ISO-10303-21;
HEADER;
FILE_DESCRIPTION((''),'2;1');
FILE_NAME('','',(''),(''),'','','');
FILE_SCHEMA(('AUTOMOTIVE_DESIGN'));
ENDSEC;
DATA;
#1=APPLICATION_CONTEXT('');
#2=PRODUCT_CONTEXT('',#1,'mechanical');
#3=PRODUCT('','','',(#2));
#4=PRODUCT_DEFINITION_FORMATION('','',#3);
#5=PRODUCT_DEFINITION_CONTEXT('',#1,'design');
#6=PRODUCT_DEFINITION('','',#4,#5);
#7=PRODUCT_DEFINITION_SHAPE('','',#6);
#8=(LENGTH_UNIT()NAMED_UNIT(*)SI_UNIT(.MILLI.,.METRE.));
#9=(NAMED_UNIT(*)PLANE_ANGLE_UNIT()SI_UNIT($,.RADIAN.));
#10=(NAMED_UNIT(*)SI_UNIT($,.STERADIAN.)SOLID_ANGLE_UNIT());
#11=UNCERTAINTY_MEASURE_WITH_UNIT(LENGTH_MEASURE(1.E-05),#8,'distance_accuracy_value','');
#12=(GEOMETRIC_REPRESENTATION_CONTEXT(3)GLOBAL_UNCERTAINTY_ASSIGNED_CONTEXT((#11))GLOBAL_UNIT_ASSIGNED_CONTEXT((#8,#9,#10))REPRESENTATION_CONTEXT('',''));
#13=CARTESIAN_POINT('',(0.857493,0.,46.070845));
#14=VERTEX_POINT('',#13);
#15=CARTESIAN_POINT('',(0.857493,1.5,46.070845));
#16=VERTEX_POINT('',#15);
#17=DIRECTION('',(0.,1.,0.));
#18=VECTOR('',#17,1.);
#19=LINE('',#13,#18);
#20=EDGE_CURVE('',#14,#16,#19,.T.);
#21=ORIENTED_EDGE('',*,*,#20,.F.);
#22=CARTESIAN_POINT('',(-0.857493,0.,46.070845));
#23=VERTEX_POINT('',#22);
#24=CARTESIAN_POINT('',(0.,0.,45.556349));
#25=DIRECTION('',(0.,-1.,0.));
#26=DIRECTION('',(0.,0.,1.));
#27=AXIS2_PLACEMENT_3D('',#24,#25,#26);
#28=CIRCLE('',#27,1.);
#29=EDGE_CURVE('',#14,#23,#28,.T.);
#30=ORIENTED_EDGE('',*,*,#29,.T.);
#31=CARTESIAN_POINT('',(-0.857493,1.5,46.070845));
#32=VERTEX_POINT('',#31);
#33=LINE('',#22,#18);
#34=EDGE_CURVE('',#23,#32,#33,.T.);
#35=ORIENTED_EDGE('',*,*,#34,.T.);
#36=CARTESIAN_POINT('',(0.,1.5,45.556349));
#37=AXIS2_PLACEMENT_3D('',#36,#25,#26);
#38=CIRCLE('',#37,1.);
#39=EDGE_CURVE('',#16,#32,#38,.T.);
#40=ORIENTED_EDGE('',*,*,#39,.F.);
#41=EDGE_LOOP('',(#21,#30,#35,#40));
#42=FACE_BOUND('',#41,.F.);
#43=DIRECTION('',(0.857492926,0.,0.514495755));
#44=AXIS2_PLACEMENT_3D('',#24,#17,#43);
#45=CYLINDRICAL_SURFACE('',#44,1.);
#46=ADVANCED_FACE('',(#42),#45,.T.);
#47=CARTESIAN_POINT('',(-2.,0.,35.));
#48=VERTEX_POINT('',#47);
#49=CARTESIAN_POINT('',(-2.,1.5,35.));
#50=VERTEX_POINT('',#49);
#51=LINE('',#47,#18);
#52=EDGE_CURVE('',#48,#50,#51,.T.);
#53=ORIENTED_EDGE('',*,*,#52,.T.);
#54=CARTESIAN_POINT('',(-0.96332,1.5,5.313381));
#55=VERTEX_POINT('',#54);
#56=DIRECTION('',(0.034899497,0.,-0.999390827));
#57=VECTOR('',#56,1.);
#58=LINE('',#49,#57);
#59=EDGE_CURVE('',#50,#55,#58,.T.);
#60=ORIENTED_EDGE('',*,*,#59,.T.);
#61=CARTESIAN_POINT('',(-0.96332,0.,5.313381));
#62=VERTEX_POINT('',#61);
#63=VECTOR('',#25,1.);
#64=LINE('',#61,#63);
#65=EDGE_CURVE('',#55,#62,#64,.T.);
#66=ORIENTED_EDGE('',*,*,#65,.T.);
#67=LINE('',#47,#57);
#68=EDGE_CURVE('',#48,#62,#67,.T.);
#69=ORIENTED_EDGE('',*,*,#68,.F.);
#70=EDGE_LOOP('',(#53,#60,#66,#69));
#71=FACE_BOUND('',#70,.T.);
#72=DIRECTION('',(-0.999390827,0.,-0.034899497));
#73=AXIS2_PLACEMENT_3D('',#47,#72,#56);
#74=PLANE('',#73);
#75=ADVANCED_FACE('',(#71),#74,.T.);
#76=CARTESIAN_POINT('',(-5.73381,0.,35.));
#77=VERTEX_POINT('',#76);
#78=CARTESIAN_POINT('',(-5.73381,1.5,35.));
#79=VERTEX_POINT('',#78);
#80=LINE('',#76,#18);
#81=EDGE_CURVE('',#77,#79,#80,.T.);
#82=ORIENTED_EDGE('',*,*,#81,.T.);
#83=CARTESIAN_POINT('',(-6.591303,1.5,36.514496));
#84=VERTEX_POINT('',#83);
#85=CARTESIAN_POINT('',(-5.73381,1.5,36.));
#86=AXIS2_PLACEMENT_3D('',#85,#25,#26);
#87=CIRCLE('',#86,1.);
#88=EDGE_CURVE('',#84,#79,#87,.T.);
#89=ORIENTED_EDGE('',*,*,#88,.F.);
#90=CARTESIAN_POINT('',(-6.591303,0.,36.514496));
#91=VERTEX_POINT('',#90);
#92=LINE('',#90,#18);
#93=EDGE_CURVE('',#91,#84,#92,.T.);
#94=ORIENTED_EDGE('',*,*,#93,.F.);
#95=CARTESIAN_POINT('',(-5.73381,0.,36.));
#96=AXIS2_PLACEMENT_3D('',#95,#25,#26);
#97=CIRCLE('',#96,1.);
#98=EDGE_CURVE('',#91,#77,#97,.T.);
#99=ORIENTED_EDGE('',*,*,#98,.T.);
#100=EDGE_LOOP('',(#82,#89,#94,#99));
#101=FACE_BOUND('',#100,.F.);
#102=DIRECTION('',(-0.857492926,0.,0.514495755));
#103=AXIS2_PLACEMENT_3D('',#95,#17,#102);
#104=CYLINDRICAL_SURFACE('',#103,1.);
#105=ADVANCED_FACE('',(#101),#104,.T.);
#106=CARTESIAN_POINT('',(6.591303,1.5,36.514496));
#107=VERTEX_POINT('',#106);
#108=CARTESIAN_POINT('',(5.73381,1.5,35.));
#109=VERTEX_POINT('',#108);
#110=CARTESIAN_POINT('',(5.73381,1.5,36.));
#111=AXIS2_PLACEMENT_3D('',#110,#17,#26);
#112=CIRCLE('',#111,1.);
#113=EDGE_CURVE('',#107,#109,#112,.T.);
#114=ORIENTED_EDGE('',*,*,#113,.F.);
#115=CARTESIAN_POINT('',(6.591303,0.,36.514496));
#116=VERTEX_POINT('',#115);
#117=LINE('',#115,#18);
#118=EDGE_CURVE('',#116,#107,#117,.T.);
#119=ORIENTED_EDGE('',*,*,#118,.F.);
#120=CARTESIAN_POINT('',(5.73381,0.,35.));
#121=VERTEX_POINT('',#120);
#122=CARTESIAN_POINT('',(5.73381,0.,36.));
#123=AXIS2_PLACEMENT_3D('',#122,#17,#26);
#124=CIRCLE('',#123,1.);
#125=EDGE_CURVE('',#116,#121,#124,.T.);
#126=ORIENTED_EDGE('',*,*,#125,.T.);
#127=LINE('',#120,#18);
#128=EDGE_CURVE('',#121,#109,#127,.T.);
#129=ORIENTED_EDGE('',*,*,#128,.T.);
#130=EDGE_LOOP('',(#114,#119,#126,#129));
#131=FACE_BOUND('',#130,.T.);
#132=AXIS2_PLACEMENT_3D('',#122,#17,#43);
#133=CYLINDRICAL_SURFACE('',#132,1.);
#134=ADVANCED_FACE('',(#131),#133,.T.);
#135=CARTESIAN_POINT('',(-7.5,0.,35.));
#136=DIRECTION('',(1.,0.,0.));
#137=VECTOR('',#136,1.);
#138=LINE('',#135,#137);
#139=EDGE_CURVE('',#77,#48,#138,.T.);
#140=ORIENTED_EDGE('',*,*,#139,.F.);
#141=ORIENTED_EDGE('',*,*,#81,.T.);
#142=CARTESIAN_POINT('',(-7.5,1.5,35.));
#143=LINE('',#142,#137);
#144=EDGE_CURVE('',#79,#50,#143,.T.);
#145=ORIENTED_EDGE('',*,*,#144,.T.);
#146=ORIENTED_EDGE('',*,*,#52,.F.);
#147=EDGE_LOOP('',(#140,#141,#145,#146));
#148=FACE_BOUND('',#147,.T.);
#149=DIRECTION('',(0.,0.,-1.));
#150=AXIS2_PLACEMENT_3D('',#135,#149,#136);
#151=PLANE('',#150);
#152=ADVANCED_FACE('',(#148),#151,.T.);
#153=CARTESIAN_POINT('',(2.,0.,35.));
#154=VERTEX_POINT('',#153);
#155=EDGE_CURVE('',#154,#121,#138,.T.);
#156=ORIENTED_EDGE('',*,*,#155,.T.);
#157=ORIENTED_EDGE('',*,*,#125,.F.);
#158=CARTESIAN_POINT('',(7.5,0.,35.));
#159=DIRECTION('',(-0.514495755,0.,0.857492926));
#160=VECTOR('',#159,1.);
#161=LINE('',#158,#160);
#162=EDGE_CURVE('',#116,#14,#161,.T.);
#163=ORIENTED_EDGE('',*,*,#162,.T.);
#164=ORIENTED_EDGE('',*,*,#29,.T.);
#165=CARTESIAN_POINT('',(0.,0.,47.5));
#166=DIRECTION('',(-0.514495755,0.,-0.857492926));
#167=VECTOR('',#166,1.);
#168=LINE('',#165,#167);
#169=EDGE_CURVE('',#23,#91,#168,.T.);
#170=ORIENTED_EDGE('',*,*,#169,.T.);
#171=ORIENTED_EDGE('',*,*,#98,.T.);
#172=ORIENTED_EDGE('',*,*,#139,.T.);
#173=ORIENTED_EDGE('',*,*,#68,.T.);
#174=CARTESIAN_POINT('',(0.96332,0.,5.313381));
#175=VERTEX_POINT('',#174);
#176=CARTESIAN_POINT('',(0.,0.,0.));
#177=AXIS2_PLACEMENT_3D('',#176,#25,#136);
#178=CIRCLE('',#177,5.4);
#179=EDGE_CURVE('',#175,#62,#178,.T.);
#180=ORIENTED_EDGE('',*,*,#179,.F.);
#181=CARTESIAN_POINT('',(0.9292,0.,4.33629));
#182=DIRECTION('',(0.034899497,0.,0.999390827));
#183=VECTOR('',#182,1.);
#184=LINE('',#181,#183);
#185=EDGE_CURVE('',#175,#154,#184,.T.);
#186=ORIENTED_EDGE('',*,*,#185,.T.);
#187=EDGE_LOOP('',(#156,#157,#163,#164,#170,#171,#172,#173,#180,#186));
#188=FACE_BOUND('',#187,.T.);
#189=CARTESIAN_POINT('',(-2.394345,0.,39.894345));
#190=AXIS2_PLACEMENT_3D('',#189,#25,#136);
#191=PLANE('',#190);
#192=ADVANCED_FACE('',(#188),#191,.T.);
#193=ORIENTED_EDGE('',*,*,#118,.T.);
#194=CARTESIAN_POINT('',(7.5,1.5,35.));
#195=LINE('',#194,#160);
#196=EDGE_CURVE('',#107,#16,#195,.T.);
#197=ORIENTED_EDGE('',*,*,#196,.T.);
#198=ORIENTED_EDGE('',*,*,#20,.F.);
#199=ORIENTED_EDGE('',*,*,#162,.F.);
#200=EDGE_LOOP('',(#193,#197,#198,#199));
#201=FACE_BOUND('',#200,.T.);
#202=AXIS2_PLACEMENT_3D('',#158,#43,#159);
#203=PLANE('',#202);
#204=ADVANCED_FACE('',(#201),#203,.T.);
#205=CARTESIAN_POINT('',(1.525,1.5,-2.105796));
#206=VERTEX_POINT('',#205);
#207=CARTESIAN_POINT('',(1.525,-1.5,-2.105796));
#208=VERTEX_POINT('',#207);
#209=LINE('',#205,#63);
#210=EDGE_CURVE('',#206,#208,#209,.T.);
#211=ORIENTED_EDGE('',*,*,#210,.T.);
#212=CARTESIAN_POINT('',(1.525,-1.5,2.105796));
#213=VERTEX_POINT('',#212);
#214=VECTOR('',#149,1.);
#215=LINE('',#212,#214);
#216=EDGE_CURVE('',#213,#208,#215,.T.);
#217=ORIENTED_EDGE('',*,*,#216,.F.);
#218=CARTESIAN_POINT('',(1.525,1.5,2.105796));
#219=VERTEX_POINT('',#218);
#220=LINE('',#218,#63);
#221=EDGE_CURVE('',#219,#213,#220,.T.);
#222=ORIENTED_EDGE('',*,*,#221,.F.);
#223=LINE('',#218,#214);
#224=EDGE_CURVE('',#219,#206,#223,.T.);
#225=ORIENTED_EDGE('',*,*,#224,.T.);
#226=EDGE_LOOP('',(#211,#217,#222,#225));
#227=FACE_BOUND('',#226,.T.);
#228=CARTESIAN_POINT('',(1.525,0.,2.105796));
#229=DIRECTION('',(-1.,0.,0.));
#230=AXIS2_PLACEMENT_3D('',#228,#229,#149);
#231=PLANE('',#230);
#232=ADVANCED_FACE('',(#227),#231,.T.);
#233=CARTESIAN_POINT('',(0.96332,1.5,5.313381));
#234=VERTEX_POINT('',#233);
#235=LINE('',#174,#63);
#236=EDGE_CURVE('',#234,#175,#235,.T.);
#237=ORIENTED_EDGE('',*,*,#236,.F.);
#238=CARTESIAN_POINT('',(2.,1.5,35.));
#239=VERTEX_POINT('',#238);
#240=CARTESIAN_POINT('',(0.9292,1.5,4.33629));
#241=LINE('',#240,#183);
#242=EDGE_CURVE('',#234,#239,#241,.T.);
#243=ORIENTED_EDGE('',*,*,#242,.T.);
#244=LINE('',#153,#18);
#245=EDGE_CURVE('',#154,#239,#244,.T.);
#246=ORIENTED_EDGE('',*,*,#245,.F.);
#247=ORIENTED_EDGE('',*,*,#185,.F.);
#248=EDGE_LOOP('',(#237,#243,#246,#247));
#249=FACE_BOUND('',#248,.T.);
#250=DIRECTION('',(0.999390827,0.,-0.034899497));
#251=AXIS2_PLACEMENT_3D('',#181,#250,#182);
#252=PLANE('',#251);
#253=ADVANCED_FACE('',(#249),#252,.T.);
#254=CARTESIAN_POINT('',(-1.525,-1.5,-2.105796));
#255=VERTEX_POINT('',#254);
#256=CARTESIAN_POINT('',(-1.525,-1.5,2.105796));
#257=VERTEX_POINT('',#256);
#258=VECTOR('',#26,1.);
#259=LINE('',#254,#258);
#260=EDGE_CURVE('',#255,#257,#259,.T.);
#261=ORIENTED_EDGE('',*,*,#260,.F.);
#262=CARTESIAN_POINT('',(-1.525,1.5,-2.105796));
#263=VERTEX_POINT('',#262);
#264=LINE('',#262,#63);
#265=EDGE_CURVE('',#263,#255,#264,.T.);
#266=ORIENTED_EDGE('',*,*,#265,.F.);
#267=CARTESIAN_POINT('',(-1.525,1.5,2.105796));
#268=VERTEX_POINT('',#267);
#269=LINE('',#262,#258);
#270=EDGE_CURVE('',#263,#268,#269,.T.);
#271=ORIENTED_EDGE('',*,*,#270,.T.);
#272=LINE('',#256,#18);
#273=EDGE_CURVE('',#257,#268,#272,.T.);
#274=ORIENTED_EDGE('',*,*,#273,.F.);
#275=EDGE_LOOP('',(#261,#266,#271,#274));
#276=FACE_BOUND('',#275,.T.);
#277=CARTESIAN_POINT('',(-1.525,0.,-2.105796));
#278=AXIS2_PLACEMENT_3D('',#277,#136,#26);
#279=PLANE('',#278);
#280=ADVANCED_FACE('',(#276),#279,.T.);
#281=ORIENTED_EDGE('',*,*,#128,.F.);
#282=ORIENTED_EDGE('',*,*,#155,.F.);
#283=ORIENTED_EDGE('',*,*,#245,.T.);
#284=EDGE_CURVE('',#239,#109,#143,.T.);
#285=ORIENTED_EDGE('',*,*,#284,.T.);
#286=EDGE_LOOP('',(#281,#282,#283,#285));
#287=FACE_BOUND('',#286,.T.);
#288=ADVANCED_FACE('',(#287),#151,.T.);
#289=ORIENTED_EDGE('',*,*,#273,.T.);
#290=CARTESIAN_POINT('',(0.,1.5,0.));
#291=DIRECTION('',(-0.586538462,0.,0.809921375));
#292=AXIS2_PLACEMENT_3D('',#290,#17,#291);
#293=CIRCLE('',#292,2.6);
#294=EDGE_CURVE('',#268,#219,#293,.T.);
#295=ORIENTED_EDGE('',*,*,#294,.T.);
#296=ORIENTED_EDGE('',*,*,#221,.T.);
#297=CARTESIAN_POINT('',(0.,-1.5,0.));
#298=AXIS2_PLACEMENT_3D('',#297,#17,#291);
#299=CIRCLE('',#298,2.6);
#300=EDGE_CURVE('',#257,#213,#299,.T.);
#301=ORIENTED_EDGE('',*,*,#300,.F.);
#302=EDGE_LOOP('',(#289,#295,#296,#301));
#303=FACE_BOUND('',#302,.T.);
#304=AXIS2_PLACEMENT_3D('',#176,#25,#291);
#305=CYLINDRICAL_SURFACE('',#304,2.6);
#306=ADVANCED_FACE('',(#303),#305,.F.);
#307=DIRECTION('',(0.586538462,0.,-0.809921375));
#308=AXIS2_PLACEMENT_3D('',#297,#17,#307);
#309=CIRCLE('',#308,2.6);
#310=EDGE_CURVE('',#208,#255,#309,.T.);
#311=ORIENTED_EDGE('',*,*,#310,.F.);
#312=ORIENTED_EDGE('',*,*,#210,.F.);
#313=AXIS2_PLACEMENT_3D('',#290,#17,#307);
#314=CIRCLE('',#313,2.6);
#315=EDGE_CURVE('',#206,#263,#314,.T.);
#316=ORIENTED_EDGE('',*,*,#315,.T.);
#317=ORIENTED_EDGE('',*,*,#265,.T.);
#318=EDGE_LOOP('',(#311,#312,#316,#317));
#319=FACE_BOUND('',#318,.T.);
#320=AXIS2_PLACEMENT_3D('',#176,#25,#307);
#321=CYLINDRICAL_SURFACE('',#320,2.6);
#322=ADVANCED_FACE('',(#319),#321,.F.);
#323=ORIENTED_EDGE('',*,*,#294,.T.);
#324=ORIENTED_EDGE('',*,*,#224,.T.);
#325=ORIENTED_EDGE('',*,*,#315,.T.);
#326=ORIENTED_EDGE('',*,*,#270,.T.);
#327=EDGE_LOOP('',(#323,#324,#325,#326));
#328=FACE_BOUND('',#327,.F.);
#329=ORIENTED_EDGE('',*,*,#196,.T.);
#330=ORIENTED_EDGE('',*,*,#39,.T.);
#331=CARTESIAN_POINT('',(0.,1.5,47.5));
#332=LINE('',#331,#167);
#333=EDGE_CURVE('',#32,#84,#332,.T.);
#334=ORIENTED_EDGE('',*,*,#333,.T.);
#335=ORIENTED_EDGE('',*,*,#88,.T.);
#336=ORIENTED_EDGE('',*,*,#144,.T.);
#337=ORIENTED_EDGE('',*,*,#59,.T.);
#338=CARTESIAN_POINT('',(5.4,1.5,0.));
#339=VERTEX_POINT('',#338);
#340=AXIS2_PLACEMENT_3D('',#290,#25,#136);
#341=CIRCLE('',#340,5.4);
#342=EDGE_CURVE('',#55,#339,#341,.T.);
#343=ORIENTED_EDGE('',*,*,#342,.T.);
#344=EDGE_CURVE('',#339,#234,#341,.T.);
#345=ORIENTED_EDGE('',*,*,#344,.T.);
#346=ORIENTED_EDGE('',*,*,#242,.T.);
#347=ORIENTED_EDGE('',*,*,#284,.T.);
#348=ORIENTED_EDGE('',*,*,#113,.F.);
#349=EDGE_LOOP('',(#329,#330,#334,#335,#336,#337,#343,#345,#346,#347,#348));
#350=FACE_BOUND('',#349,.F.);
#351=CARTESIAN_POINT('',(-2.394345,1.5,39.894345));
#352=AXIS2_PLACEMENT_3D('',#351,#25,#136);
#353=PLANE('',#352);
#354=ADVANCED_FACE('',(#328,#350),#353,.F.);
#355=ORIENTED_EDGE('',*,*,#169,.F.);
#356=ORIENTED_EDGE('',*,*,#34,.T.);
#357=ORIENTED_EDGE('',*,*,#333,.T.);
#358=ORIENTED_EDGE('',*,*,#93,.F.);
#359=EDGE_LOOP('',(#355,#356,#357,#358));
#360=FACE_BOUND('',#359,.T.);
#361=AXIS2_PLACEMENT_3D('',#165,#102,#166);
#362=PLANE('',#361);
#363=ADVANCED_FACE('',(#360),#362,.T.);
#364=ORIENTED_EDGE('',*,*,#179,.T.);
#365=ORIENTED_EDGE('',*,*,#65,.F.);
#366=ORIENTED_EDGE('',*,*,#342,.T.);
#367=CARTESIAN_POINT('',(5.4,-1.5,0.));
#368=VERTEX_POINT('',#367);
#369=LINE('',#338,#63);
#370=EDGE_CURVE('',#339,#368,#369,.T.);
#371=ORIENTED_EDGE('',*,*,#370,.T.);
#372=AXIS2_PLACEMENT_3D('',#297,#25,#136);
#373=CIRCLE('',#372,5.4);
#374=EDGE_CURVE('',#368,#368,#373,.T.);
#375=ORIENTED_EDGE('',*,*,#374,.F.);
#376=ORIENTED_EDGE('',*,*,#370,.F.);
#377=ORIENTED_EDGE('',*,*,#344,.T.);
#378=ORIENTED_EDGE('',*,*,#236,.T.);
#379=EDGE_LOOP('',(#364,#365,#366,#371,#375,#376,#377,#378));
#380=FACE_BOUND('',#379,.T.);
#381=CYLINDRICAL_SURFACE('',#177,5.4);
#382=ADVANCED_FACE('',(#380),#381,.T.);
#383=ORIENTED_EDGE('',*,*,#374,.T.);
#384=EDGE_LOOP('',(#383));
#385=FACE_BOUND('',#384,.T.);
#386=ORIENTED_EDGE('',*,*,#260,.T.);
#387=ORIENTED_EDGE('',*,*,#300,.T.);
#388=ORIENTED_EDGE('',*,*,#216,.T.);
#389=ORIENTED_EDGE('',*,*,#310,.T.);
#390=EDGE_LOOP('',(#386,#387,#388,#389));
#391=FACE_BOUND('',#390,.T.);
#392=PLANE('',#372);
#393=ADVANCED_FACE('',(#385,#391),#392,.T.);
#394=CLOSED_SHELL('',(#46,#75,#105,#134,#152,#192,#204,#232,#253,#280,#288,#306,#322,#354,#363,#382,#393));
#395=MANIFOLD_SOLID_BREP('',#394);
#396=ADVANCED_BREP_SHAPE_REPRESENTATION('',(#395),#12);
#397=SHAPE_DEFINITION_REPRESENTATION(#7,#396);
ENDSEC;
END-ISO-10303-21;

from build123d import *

# Parameters (mm, degrees)
F0_R     = 5.4
F1_DEPTH = 1.5
F3_DEPTH = 1.5
F5_DEPTH = 1.5
F6_R     = 1
F7_R     = 1
F8_R     = 1


with BuildPart() as f1:
    # F0 (on Front) → F1 (new body, symmetric)
    with BuildSketch(Plane.XZ):
        Circle(F0_R)
        with BuildLine():
            ThreePointArc((1.525, 2.1057955741), (2.3157072354, 1.1821590418), (2.6, 0))
            ThreePointArc((2.6, 0), (2.3157072354, -1.1821590418), (1.525, -2.1057955741))
            ThreePointArc((1.525, -2.1057955741), (0, -2.6), (-1.525, -2.1057955741))
            ThreePointArc((-1.525, -2.1057955741), (-2.6, 0), (-1.525, 2.1057955741))
            ThreePointArc((-1.525, 2.1057955741), (0, 2.6), (1.525, 2.1057955741))
        make_face(mode=Mode.SUBTRACT)
        with BuildLine():
            Line((-1.525, -2.1057955741), (-1.525, 2.1057955741))
            ThreePointArc((-1.525, 2.1057955741), (-2.6, 0), (-1.525, -2.1057955741))
        make_face()
        with BuildLine():
            ThreePointArc((1.525, -2.1057955741), (2.3157072354, -1.1821590418), (2.6, 0))
            ThreePointArc((2.6, 0), (2.3157072354, 1.1821590418), (1.525, 2.1057955741))
            Line((1.525, 2.1057955741), (1.525, -2.1057955741))
        make_face()
    extrude(amount=F1_DEPTH, both=True)

    # F2 (on Front) → F3 (join, through all)
    with BuildSketch(Plane.XZ):
        Polygon((-0.9291996635, 4.3362903498), (0, 4.3362903498), (0, 35), (-2, 35), align=None)
        Polygon((0, 35), (0, 4.3362903498), (0.9291996635, 4.3362903498), (2, 35), align=None)
    extrude(amount=-F3_DEPTH)

    # F4 (on Front) → F5 (join, through all)
    with BuildSketch(Plane.XZ):
        Polygon((0, 35), (0, 47.5), (-7.5, 35), align=None)
        Polygon((7.5, 35), (0, 47.5), (0, 35), align=None)
    extrude(amount=-F5_DEPTH)

    # F6
    f6_edges = [f1.edges().sort_by_distance(p)[0] for p in [
        (7.5, 0.75, 35),
    ]]
    fillet(f6_edges, radius=F6_R)

    # F7
    f7_edges = [f1.edges().sort_by_distance(p)[0] for p in [
        (0, 0.75, 47.5),
    ]]
    fillet(f7_edges, radius=F7_R)

    # F8
    f8_edges = [f1.edges().sort_by_distance(p)[0] for p in [
        (-7.5, 0.75, 35),
    ]]
    fillet(f8_edges, radius=F8_R)


solid = f1.part
